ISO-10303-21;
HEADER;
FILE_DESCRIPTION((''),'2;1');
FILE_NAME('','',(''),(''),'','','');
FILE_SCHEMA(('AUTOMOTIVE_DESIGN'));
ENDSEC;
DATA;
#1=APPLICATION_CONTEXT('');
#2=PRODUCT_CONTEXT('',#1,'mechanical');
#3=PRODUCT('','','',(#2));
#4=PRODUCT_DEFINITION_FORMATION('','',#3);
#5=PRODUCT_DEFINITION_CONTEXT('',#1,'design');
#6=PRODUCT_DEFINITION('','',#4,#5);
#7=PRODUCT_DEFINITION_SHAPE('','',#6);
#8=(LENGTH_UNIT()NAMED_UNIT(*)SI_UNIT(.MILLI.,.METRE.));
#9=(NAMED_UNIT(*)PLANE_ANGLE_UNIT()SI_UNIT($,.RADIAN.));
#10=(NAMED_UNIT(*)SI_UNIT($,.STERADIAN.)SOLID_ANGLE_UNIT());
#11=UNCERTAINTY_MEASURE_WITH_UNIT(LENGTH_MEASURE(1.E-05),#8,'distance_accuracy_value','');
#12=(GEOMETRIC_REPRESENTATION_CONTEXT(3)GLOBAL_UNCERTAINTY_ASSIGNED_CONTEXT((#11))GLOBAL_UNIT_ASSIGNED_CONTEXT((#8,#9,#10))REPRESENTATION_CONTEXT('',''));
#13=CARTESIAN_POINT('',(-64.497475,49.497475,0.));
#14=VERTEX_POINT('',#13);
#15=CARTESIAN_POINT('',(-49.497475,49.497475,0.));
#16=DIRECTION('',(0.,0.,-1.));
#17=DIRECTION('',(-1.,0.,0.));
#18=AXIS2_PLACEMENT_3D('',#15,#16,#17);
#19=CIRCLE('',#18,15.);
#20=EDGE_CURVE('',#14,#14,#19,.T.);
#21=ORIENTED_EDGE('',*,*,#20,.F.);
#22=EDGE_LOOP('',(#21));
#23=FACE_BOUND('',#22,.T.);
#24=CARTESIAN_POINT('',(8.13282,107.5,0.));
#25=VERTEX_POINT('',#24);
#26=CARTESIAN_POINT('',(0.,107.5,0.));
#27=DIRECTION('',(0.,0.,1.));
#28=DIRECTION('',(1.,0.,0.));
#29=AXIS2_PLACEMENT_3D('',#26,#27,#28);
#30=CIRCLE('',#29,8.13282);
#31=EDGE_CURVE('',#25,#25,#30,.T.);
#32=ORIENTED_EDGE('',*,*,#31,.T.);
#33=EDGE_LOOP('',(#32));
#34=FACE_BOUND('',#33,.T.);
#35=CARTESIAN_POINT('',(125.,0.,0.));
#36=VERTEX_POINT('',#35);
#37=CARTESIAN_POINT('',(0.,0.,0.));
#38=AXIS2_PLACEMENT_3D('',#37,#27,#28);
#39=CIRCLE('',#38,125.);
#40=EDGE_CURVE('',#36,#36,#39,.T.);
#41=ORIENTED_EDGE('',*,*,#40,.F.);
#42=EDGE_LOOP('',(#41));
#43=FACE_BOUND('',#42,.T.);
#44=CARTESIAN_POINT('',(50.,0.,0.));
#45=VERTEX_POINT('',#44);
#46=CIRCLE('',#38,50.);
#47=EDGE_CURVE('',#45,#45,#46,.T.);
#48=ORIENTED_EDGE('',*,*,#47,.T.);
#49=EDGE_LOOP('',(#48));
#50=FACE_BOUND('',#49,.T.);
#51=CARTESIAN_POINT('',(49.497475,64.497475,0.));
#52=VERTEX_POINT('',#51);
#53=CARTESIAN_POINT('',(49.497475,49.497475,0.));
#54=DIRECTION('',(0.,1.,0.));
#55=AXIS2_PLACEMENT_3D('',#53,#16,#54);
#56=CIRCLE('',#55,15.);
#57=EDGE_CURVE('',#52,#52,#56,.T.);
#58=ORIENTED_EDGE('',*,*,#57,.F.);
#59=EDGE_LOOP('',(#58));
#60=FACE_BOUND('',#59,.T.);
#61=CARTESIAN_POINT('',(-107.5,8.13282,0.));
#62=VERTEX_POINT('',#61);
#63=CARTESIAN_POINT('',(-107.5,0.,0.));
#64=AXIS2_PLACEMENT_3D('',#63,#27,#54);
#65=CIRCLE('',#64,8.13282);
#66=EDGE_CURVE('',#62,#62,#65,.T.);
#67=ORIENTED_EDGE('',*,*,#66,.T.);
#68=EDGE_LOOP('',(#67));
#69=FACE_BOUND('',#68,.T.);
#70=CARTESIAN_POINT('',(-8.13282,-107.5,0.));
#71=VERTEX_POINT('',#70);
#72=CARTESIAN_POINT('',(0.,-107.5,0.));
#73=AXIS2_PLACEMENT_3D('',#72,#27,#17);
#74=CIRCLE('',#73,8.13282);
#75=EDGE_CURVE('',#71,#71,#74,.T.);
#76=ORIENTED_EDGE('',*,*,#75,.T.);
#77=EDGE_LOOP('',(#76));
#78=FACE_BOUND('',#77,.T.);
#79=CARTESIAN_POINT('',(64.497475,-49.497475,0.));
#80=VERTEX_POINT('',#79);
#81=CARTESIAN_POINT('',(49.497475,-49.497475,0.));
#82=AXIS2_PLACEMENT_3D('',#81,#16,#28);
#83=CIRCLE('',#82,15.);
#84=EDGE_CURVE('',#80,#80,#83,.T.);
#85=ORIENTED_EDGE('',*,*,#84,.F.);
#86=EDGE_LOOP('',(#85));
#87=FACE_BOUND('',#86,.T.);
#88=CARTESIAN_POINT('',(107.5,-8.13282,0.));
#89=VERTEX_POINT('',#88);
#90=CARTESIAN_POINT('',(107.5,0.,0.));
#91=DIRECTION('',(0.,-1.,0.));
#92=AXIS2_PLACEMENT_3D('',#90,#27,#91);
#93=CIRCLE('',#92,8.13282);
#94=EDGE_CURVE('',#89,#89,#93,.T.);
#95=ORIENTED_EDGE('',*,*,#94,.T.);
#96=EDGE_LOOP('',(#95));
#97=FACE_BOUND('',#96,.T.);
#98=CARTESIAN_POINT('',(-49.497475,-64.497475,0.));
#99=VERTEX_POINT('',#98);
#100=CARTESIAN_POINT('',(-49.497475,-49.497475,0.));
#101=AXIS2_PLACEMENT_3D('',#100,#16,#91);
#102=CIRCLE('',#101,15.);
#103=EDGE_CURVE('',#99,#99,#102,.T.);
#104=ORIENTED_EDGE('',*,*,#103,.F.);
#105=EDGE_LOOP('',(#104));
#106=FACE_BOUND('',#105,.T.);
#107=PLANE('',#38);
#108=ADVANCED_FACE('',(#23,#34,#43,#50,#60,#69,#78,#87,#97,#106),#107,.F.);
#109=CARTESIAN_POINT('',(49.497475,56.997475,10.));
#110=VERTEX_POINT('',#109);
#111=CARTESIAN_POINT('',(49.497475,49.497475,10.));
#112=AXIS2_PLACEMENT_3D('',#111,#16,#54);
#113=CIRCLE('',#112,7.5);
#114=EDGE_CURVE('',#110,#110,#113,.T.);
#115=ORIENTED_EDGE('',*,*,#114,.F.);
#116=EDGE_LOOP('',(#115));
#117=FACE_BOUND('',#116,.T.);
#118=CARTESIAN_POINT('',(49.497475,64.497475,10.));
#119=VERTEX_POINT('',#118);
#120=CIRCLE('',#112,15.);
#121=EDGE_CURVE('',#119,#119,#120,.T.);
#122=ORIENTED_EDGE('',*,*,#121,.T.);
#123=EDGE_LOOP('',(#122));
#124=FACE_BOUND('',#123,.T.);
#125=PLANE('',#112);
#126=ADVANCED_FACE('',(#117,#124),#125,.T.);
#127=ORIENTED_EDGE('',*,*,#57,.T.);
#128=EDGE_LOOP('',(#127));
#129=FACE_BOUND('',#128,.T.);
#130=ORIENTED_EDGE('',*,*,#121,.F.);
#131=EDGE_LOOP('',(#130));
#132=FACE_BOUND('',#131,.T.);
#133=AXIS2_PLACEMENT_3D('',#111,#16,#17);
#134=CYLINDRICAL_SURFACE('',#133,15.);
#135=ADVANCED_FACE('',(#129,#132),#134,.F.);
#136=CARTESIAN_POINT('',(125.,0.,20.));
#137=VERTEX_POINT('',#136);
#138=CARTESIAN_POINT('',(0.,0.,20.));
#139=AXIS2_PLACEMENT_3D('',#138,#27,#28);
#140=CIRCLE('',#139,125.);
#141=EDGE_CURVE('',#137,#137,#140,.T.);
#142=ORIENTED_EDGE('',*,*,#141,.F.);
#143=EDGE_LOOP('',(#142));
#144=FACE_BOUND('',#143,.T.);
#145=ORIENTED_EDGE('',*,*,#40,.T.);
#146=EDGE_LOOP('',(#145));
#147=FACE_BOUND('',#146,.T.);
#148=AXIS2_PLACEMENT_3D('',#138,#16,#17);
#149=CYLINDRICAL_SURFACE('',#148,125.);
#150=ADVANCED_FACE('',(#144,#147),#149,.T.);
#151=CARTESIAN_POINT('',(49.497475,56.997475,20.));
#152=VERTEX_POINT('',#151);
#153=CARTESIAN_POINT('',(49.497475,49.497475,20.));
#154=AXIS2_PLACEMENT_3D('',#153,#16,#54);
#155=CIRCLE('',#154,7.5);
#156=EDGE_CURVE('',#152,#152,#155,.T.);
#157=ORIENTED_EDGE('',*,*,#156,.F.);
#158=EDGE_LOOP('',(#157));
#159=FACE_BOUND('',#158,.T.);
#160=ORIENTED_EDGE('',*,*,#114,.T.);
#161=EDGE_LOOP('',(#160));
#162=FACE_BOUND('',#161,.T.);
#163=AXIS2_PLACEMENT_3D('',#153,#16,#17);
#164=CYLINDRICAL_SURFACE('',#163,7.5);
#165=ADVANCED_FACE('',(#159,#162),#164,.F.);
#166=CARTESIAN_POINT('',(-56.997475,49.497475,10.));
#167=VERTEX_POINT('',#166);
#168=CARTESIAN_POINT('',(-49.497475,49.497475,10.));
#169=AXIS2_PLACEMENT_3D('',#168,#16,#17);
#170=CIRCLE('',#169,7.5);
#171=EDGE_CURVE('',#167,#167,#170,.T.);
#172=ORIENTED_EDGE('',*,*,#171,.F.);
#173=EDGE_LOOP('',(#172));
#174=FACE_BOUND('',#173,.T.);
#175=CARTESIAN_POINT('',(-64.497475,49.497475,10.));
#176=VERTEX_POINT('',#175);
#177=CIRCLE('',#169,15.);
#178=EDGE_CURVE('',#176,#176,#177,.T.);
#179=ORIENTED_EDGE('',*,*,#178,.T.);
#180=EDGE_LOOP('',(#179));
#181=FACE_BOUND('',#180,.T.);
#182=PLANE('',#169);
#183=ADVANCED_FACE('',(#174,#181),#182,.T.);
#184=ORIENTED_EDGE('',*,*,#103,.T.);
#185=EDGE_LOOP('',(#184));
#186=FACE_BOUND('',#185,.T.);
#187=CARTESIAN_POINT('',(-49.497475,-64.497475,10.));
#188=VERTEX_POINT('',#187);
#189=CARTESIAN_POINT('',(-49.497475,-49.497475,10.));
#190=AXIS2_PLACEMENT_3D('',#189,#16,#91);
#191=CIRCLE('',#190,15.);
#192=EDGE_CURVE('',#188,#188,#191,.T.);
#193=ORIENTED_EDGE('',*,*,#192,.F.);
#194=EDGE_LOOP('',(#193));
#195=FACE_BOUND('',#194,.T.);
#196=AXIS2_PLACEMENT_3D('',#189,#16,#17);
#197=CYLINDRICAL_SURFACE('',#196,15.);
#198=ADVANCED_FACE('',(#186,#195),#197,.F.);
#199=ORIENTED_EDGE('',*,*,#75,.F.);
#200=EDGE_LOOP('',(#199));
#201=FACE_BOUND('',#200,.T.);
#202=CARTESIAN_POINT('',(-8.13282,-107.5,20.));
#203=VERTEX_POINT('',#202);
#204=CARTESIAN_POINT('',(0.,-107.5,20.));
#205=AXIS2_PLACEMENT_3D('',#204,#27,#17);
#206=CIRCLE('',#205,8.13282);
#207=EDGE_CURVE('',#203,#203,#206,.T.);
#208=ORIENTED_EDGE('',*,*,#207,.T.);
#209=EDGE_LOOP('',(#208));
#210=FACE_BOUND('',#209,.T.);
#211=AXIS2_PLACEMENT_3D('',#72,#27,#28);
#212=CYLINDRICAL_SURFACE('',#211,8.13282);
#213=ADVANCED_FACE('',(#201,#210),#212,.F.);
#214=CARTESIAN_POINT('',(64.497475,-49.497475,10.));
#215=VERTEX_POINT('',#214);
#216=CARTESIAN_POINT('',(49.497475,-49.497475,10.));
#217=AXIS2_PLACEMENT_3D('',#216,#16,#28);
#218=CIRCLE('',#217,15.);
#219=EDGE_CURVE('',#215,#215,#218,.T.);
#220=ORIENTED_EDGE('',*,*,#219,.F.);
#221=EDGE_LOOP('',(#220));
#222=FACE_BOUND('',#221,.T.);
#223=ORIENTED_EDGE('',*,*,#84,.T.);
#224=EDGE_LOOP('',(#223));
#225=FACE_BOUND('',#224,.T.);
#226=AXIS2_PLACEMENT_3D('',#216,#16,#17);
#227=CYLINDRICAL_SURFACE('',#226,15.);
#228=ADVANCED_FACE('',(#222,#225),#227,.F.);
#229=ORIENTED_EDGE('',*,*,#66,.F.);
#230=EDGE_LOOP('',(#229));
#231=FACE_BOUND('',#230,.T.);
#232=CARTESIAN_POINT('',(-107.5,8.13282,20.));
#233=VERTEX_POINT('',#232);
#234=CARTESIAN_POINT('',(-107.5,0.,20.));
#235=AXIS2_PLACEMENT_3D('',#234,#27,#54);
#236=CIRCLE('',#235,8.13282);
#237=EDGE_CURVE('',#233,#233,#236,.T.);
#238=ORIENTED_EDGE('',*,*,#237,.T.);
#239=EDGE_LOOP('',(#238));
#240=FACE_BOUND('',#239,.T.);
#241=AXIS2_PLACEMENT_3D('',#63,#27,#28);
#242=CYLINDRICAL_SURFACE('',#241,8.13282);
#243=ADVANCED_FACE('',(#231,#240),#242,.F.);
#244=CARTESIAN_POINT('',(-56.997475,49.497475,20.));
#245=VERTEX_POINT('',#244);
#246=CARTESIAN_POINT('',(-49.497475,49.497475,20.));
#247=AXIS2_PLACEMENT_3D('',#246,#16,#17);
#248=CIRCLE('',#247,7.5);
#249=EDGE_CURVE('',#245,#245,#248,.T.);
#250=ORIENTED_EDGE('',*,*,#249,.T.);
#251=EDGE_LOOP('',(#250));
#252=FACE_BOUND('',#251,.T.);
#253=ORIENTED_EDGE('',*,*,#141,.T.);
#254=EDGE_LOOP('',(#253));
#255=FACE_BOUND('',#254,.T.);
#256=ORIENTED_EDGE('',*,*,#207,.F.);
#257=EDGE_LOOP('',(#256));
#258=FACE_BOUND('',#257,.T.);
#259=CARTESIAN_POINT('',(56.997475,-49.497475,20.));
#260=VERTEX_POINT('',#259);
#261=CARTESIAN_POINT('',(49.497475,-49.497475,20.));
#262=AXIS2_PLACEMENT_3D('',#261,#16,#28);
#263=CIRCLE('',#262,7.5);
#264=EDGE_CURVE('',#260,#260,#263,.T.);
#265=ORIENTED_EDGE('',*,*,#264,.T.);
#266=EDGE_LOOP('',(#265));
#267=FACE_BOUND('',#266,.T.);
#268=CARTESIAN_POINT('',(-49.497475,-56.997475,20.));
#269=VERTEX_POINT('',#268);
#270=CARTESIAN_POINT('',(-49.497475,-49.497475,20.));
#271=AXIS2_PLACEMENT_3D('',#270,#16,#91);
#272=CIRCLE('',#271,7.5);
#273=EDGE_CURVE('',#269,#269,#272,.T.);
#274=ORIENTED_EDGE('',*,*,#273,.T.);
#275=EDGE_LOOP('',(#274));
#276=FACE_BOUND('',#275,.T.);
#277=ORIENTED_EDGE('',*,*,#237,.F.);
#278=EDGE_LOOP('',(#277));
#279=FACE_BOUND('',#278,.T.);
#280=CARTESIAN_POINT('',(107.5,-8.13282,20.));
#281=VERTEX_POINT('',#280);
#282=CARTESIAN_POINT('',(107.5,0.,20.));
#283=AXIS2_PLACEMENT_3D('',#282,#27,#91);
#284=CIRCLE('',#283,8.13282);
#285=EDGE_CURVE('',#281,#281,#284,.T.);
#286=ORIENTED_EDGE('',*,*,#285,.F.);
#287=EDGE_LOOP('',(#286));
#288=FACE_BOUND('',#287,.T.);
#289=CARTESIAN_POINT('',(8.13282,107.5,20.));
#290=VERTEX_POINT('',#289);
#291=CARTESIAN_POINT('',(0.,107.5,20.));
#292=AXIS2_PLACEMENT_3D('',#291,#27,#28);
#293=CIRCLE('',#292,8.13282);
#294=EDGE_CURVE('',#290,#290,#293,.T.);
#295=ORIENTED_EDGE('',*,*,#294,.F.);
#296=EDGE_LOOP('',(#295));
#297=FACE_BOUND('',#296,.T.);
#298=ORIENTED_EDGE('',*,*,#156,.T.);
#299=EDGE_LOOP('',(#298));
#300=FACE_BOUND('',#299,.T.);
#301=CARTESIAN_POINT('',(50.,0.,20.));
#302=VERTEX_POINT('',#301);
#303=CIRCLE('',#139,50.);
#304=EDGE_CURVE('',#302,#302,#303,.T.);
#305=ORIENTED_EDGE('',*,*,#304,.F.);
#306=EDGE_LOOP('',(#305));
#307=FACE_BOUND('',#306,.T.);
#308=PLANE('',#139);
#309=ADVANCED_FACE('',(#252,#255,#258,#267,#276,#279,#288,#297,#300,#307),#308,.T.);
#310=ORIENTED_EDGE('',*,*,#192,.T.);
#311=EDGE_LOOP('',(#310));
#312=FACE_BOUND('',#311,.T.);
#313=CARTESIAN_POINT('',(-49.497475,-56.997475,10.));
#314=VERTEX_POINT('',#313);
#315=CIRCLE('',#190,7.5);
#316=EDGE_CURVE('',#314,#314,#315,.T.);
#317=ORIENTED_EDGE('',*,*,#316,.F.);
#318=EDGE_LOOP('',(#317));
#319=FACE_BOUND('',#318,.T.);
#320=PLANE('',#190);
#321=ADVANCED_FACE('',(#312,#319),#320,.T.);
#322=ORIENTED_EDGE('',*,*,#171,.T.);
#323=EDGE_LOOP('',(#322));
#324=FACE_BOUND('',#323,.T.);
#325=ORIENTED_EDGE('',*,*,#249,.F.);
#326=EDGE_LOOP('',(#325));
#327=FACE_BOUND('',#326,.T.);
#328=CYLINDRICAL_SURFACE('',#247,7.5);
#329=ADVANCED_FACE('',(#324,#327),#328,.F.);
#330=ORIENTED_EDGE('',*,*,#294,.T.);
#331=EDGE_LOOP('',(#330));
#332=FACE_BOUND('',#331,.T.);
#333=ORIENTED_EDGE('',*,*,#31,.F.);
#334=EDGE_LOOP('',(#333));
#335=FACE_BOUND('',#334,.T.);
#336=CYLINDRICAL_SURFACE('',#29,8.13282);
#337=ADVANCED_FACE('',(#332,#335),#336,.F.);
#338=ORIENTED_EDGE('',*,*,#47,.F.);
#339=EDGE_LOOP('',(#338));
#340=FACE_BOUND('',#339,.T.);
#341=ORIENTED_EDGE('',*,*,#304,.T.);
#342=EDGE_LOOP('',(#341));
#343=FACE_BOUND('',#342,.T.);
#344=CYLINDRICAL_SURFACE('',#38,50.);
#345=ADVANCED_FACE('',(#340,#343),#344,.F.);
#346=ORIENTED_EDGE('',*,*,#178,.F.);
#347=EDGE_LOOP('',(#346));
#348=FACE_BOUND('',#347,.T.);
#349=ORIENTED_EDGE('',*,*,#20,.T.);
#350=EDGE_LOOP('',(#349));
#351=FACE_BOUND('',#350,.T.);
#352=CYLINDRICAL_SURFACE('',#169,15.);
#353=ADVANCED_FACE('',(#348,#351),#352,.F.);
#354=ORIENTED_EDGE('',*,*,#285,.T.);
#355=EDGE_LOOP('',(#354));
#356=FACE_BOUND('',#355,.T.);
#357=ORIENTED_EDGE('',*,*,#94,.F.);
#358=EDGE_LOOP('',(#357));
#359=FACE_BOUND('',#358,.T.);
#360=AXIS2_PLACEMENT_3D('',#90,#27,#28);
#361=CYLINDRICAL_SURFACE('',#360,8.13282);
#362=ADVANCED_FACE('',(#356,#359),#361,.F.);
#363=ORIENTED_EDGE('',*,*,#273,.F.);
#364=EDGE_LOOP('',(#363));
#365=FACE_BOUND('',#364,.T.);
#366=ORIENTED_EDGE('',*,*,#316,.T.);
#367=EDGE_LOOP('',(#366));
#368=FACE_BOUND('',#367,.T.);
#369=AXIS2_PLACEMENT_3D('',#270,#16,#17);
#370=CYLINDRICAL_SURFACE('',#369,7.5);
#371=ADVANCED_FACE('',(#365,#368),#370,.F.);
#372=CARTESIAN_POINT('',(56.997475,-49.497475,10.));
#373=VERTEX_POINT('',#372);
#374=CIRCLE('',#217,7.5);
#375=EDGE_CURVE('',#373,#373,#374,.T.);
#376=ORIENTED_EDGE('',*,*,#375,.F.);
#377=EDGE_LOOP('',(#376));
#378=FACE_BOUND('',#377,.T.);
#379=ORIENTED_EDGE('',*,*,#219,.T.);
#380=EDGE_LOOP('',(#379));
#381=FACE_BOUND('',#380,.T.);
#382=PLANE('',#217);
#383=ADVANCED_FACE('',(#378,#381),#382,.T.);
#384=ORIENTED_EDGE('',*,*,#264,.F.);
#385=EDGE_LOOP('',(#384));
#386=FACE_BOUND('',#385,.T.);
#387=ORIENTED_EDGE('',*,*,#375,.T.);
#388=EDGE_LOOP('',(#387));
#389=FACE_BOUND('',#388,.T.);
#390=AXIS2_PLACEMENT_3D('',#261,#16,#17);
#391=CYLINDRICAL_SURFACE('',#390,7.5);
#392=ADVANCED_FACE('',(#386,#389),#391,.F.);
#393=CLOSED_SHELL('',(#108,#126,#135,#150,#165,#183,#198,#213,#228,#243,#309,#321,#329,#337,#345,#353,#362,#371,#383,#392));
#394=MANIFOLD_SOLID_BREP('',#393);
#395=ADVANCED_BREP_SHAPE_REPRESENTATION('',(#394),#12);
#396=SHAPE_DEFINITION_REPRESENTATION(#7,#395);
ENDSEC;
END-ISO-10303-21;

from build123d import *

# Parameters (mm, degrees)
SKETCH1_R           = 125
BOSS_EXTRUDE1_DEPTH = 20
SKETCH2_R           = 50
CUT_EXTRUDE1_DEPTH  = 20
SKETCH3_R           = 8.132820197
CUT_EXTRUDE2_DEPTH  = 20
SKETCH4_R           = 15
CUT_EXTRUDE3_DEPTH  = 10
SKETCH5_R           = 7.5
CUT_EXTRUDE4_DEPTH  = 10
CIRPATTERN1_COUNT   = 4


with BuildPart() as part:
    # Sketch1 → Boss-Extrude1 (new body)
    with BuildSketch(Plane.XY):
        Circle(SKETCH1_R)
    extrude(amount=BOSS_EXTRUDE1_DEPTH)

    # Sketch2 → Cut-Extrude1 (cut)
    with BuildSketch(Plane.XY.offset(20)):
        Circle(SKETCH2_R)
    extrude(amount=-CUT_EXTRUDE1_DEPTH, mode=Mode.SUBTRACT)

    # Sketch3 → Cut-Extrude2 (cut)
    with BuildSketch(Plane.XY.offset(20)):
        with Locations((0, 107.5)):
            Circle(SKETCH3_R)
    cut_extrude2 = extrude(amount=-CUT_EXTRUDE2_DEPTH, mode=Mode.SUBTRACT)

    # Sketch4 → Cut-Extrude3 (cut)
    with BuildSketch(Plane(origin=(0, 0, 0), x_dir=(-1, 0, 0), z_dir=(0, 0, -1))):
        with Locations((49.497474683, 49.497474683)):
            Circle(SKETCH4_R)
    cut_extrude3 = extrude(amount=-CUT_EXTRUDE3_DEPTH, mode=Mode.SUBTRACT)

    # Sketch5 → Cut-Extrude4 (cut)
    with BuildSketch(Plane(origin=(0, 0, 10), x_dir=(-1, 0, 0), z_dir=(0, 0, -1))):
        with Locations((49.497474683, 49.497474683)):
            Circle(SKETCH5_R)
    cut_extrude4 = extrude(amount=-CUT_EXTRUDE4_DEPTH, mode=Mode.SUBTRACT)

    # CirPattern1: Cut-Extrude2, Cut-Extrude3, Cut-Extrude4 ×4 about axis
    cirpattern1_axis = Axis((0, 0, 0), (0, 0, 1))
    add([cut_extrude2.rotate(cirpattern1_axis, i * 360 / CIRPATTERN1_COUNT) for i in range(1, CIRPATTERN1_COUNT)], mode=Mode.SUBTRACT)
    add([cut_extrude3.rotate(cirpattern1_axis, i * 360 / CIRPATTERN1_COUNT) for i in range(1, CIRPATTERN1_COUNT)], mode=Mode.SUBTRACT)
    add([cut_extrude4.rotate(cirpattern1_axis, i * 360 / CIRPATTERN1_COUNT) for i in range(1, CIRPATTERN1_COUNT)], mode=Mode.SUBTRACT)


solid = part.part
